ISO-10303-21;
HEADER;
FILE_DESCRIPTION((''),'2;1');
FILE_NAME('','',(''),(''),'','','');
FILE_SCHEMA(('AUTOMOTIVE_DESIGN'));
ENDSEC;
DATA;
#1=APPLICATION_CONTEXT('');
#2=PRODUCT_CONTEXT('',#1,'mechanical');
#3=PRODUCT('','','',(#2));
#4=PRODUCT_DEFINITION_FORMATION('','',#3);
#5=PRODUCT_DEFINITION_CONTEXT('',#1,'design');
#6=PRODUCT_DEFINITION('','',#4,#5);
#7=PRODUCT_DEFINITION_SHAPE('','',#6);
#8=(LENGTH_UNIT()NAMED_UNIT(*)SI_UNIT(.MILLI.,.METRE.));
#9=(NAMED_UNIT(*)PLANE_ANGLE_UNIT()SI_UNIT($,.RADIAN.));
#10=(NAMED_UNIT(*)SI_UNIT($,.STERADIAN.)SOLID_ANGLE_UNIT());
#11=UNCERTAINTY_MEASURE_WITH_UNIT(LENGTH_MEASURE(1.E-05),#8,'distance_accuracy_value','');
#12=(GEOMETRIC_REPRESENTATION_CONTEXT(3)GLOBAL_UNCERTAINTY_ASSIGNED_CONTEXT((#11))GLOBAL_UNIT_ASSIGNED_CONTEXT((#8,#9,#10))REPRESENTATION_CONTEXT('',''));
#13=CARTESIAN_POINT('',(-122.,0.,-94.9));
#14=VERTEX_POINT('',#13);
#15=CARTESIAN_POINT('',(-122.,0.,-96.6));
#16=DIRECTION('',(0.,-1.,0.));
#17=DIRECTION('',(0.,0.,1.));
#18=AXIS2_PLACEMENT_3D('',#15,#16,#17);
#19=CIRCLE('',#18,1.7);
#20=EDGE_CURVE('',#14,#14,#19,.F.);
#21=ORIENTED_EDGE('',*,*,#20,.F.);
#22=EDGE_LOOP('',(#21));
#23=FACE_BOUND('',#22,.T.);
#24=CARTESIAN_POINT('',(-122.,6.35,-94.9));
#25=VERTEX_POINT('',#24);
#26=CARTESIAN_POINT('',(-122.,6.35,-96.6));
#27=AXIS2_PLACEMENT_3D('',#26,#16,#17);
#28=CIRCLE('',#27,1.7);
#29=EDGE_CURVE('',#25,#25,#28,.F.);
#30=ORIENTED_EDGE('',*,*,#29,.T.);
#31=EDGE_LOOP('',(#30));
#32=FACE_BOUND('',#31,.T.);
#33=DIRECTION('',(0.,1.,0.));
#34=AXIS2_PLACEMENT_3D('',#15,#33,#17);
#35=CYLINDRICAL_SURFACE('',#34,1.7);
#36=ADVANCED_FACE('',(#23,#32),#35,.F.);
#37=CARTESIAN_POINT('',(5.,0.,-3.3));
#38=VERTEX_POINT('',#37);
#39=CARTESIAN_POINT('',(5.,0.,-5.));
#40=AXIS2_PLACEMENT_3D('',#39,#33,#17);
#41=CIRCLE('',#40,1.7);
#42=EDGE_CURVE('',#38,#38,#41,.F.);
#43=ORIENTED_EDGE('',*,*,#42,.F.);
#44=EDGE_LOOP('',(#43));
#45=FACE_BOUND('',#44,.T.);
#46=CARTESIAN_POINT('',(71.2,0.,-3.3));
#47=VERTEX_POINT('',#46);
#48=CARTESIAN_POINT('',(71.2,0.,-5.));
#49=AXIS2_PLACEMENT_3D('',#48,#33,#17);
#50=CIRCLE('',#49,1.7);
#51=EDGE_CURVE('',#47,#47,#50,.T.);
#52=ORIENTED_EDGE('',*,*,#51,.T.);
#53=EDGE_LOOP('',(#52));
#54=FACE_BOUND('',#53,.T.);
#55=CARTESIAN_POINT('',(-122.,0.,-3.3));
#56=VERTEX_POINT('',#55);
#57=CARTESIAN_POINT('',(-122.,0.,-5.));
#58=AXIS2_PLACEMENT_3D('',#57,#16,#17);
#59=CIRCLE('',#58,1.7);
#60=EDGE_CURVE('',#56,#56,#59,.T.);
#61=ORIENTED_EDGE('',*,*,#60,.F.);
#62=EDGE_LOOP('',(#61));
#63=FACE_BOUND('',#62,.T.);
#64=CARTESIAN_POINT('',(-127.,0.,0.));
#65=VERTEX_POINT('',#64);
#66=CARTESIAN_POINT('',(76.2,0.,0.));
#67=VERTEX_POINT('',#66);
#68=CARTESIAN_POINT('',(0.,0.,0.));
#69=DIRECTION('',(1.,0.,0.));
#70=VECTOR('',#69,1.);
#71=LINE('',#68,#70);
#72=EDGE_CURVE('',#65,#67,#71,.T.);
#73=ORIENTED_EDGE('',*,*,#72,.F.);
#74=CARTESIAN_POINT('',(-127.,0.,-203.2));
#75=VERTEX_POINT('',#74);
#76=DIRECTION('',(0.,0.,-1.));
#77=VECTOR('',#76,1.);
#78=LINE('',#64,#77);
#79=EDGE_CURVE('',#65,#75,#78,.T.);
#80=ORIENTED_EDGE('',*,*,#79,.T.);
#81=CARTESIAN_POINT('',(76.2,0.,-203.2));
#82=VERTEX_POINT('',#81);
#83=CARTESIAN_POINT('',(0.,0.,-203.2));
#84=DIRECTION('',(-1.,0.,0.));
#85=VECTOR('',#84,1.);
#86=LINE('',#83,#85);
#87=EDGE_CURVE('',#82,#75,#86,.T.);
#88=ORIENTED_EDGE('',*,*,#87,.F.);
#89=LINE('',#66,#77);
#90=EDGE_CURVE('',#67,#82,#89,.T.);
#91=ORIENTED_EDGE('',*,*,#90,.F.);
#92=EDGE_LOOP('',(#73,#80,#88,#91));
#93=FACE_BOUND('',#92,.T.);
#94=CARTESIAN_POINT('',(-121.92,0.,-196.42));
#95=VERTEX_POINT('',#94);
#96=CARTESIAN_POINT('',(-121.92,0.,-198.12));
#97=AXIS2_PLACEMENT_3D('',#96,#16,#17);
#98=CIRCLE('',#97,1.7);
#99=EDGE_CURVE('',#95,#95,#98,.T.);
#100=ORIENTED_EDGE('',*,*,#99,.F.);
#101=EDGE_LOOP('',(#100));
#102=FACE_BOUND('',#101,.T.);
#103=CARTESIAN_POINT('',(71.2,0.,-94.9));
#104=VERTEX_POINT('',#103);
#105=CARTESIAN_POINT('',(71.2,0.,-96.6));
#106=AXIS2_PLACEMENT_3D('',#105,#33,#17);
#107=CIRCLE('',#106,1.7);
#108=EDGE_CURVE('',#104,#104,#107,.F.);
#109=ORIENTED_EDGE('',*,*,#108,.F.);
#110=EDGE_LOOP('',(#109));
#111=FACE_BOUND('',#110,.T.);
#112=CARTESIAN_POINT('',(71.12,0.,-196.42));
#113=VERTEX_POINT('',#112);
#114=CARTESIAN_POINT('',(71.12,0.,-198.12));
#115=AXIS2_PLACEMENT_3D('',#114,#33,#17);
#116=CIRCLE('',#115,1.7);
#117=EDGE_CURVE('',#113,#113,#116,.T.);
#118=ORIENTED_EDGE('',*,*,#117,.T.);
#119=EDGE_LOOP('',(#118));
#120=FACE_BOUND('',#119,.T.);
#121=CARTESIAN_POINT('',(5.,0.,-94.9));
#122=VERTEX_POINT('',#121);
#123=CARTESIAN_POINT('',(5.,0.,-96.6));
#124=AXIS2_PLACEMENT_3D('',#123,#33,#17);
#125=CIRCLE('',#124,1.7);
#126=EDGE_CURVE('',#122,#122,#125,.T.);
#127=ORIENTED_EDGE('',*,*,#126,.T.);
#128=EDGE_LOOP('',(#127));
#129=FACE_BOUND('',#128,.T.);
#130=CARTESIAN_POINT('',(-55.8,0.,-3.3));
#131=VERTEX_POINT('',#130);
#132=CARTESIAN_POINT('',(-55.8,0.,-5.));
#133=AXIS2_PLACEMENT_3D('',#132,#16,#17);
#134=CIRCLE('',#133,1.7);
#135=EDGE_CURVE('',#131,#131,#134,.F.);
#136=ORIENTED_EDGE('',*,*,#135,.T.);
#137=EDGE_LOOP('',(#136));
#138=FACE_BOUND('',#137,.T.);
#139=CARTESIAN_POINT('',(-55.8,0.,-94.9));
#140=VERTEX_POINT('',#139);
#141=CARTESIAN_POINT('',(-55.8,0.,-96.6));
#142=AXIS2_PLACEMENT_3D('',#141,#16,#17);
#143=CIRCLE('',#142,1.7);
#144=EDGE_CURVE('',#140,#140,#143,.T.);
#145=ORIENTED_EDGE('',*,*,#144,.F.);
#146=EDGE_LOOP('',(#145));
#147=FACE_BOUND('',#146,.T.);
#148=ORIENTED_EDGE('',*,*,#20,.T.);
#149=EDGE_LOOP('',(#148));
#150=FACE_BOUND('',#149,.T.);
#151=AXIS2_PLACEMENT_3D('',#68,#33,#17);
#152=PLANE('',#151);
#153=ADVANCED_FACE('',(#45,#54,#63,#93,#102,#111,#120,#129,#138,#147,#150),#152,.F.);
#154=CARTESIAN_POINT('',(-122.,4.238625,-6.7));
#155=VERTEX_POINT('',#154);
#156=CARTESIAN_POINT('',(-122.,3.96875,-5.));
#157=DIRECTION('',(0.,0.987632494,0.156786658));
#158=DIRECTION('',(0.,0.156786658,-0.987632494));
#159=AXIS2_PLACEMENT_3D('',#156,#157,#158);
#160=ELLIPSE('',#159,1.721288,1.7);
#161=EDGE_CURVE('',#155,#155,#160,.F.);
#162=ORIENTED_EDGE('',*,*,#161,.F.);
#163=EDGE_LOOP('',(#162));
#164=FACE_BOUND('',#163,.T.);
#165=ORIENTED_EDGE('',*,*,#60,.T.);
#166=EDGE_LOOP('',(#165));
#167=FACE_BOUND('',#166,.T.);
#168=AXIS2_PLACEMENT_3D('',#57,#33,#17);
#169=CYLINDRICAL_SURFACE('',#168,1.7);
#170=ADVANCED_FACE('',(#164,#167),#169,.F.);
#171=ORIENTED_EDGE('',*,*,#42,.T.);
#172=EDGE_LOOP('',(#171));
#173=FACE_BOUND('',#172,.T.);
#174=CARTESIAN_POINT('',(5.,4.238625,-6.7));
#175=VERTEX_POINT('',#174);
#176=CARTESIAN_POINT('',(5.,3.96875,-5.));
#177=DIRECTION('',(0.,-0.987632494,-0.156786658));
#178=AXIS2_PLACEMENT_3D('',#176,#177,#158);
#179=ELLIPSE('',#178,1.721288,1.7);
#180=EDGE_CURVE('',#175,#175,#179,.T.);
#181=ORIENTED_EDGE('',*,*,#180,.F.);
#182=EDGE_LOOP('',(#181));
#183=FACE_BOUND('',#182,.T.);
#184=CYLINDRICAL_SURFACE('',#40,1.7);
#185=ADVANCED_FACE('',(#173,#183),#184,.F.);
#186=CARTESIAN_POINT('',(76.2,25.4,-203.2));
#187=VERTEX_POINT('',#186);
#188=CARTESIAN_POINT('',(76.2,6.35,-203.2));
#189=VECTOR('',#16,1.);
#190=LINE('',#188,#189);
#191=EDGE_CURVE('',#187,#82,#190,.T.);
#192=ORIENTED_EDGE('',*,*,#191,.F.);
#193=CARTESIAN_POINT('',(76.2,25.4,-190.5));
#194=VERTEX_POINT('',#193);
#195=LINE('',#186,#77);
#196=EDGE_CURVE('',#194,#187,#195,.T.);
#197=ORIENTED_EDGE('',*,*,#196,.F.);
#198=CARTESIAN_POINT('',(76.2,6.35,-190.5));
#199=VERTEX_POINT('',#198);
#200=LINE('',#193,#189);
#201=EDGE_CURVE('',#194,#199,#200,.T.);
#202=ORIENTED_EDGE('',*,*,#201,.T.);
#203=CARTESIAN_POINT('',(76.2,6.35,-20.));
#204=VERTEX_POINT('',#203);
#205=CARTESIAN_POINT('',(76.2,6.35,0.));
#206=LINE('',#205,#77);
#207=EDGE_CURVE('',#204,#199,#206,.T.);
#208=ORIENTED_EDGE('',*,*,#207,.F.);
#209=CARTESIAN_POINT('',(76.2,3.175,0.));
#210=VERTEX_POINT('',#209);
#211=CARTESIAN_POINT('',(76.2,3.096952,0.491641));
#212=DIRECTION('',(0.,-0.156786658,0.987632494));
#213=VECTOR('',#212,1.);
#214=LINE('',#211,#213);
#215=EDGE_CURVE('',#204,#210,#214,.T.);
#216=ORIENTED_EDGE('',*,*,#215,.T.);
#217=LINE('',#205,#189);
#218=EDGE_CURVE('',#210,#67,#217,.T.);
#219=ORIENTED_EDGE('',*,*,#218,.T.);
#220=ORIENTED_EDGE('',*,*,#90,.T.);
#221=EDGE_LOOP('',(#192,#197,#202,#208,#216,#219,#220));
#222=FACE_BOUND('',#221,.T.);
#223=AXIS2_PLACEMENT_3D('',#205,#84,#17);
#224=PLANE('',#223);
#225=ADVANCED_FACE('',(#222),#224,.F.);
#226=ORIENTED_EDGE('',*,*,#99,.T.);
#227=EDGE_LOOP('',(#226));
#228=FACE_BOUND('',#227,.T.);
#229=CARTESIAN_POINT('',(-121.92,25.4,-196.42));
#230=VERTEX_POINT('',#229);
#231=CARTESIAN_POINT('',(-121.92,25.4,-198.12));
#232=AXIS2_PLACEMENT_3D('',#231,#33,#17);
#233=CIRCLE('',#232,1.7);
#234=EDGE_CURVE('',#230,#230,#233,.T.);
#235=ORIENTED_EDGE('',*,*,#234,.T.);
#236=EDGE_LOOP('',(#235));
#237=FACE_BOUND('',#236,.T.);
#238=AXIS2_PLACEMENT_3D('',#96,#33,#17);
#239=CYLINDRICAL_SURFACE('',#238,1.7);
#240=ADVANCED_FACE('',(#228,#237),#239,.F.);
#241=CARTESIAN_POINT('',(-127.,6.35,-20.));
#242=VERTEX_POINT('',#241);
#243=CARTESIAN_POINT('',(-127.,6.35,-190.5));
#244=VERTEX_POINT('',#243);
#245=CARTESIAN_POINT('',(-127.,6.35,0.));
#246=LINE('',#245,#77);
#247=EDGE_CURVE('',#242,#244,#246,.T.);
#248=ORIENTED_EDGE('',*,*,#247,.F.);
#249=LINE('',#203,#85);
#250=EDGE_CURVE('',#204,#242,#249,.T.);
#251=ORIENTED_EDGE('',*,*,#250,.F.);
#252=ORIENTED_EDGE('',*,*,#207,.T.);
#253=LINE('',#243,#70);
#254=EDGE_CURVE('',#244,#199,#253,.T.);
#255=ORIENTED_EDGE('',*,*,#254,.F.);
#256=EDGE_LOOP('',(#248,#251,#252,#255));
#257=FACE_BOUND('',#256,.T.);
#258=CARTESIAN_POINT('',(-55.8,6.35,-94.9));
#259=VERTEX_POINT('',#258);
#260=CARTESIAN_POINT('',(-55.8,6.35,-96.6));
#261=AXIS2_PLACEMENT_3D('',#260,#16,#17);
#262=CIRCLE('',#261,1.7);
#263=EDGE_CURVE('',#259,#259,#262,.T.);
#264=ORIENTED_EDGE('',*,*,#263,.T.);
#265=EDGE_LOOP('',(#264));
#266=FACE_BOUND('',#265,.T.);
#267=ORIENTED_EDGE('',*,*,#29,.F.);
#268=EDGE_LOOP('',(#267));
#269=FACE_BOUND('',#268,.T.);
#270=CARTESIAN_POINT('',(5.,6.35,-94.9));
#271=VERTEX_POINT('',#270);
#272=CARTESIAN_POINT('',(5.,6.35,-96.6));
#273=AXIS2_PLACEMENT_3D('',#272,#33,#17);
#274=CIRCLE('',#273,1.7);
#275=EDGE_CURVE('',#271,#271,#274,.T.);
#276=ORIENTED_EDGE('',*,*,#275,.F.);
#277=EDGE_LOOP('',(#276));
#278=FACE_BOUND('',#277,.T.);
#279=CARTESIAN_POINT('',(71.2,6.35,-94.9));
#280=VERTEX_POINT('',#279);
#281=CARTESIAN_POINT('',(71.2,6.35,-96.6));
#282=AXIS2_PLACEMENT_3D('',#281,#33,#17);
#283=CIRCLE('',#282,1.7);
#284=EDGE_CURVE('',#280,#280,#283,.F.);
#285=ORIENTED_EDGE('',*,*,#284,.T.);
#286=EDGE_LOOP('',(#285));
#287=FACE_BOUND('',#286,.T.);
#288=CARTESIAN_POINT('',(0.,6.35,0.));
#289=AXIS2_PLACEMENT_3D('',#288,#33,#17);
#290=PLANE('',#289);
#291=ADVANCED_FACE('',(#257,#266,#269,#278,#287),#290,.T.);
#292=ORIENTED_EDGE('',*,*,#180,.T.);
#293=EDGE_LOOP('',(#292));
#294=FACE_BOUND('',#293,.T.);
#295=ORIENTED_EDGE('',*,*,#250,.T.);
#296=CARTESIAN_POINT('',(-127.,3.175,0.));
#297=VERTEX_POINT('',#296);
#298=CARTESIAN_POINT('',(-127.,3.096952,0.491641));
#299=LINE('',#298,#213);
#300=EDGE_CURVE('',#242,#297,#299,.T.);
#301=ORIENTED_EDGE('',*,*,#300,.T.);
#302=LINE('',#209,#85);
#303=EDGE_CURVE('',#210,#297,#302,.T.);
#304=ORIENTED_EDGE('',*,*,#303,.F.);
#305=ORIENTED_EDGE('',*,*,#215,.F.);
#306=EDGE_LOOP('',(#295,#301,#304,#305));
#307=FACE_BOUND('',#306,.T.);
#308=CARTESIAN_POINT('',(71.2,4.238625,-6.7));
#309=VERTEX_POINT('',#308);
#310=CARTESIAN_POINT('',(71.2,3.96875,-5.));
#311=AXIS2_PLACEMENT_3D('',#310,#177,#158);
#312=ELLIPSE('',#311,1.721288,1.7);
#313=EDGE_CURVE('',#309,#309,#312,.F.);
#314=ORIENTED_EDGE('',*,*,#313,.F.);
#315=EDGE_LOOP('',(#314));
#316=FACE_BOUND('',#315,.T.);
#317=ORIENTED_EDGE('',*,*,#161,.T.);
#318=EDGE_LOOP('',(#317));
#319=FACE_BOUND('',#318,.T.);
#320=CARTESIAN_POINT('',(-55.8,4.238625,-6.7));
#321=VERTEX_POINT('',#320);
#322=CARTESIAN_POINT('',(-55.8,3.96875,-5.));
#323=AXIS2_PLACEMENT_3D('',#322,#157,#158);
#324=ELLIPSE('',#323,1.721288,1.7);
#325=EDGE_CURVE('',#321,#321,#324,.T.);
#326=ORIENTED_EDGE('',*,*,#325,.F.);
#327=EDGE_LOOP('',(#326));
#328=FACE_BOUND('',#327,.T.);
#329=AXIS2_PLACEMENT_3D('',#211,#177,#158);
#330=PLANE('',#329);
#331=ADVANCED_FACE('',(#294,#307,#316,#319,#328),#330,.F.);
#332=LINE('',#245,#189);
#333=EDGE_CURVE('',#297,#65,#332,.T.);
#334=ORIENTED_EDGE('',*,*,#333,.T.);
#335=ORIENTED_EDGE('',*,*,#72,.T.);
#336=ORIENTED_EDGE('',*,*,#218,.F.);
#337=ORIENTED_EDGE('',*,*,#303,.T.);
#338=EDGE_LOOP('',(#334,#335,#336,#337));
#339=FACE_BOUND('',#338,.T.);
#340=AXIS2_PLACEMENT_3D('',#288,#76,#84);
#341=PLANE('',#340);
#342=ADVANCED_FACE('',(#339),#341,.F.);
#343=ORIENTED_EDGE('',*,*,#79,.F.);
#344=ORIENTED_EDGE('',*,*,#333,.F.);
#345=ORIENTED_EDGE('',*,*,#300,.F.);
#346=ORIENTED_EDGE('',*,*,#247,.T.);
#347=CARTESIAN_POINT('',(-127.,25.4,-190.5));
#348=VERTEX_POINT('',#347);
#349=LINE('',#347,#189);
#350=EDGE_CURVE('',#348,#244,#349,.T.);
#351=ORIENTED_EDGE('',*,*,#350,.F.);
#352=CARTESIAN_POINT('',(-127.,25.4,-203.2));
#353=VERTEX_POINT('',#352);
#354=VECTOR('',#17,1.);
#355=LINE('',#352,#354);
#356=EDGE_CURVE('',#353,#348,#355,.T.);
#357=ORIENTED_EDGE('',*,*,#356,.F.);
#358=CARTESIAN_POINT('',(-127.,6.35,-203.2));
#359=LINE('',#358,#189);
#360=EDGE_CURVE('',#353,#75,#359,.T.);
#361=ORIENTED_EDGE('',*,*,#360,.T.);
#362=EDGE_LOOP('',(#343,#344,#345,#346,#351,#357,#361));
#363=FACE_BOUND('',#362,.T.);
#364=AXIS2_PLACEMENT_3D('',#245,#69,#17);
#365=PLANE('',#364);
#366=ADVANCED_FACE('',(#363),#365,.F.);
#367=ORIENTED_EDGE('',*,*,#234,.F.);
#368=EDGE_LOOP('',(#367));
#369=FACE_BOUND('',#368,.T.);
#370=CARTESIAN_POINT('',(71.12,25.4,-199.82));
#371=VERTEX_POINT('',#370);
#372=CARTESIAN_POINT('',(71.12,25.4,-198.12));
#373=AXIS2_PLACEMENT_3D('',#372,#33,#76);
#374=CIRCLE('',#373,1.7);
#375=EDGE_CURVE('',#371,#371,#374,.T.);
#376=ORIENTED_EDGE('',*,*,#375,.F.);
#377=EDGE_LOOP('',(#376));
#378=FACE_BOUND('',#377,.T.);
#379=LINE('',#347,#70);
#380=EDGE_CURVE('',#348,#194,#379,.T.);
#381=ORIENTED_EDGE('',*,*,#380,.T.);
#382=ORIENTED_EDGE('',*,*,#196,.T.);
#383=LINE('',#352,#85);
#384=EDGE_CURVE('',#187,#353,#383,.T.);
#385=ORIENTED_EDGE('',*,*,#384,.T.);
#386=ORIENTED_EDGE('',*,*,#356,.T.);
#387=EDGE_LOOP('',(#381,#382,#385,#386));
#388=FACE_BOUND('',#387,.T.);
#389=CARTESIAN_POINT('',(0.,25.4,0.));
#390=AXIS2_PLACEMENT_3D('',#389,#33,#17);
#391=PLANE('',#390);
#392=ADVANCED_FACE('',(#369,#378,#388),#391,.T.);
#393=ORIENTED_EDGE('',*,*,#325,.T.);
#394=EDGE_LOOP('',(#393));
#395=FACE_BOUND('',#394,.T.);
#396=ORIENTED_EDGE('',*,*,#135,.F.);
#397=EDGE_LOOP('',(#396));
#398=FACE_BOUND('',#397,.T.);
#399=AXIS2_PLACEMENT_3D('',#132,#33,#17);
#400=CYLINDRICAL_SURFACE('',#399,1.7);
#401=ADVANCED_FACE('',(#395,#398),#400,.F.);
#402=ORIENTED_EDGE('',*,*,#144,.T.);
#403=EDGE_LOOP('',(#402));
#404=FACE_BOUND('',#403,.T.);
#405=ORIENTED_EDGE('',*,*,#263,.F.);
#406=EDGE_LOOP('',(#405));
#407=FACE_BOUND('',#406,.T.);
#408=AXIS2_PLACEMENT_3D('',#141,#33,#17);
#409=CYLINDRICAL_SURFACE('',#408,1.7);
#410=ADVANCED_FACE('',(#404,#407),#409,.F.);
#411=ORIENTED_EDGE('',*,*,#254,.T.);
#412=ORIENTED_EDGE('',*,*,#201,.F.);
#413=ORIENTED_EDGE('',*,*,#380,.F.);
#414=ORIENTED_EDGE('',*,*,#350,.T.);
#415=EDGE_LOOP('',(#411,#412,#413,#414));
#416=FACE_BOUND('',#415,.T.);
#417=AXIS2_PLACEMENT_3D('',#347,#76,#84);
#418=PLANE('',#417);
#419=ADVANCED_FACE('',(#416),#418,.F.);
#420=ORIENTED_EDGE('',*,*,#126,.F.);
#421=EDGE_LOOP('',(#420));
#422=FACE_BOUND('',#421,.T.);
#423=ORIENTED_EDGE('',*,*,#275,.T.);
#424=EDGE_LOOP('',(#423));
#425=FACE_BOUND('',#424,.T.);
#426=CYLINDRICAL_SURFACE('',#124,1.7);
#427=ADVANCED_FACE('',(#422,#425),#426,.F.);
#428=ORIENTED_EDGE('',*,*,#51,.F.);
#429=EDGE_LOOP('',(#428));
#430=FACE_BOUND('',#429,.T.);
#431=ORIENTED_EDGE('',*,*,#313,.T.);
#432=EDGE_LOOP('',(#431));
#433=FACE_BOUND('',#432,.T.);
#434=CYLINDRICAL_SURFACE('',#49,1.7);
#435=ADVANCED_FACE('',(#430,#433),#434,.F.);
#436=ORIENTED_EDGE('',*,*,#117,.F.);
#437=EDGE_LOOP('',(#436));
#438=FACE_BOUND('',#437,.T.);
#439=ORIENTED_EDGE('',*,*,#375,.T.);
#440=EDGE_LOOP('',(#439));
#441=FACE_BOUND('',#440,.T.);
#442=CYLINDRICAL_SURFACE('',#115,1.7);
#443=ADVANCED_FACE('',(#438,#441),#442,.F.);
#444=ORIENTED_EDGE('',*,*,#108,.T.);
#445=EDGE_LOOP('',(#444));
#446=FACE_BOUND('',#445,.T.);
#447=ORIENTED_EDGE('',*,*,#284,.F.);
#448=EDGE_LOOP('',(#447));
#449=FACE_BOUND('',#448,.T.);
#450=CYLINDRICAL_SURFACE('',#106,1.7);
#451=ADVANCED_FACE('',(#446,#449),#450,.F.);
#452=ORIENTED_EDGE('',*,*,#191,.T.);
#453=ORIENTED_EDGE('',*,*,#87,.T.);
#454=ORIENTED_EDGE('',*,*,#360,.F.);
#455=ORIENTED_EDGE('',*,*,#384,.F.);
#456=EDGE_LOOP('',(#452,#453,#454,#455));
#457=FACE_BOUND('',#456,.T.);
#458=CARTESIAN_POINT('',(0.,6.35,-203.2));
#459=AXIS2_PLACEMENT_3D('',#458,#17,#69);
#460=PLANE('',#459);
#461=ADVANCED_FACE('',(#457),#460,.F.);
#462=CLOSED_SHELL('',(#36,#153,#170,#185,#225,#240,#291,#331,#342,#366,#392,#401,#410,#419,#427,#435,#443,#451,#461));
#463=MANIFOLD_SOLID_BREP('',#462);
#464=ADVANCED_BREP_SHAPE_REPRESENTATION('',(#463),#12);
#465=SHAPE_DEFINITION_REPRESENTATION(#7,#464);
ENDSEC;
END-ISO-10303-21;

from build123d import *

# Parameters (mm, degrees)
SKETCH1_W           = 76.2
SKETCH1_H           = 101.6
BOSS_EXTRUDE1_DEPTH = 6.35
SKETCH2_R           = 1.7
CUT_EXTRUDE1_DEPTH  = 218.110576665
CUT_EXTRUDE2_DEPTH  = 218.110576665
BOSS_EXTRUDE2_DEPTH = 50.8
BOSS_EXTRUDE5_START = 19.05
SKETCH8_W           = 203.2
SKETCH8_H           = 12.7
SKETCH8_R           = 1.7
BOSS_EXTRUDE5_DEPTH = 19.05


with BuildPart() as part:
    # Sketch1 → Boss-Extrude1 (new body)
    with BuildSketch(Plane(origin=(0, 0, 0), x_dir=(1, 0, 0), z_dir=(0, 1, 0))):
        with Locations((38.1, 50.8)):
            Rectangle(SKETCH1_W, SKETCH1_H)
        with Locations((38.1, 152.4)):
            Rectangle(SKETCH1_W, SKETCH1_H)
    extrude(amount=BOSS_EXTRUDE1_DEPTH)

    # Sketch2 → Cut-Extrude1 (cut, through all)
    with BuildSketch(Plane(origin=(0, 6.35, 0), x_dir=(1, 0, 0), z_dir=(0, 1, 0))):
        with Locations(Location((5, 96.6, 0), (0, 0, 270))):
            Circle(SKETCH2_R)
        with Locations(Location((71.2, 96.6, 0), (0, 0, 270))):
            Circle(SKETCH2_R)
        with Locations(Location((5, 5, 0), (0, 0, 270))):
            Circle(SKETCH2_R)
        with Locations(Location((71.2, 5, 0), (0, 0, 270))):
            Circle(SKETCH2_R)
        with Locations(Location((71.12, 198.12, 0), (0, 0, 270))):
            Circle(SKETCH2_R)
    extrude(amount=-CUT_EXTRUDE1_DEPTH, mode=Mode.SUBTRACT)

    # Sketch3 → Cut-Extrude2 (cut, through all)
    with BuildSketch(Plane.ZY):
        Polygon((-20, 6.35), (0, 3.175), (0, 6.35), align=None)
    extrude(amount=-CUT_EXTRUDE2_DEPTH, mode=Mode.SUBTRACT)


with BuildPart() as body_2:
    # Mirror3: mirrored copy
    add(part.part.mirror(Plane.ZY.offset(25.4)))


with BuildPart() as part_1:
    add(part.part)

    add(body_2.part)  # Boss-Extrude2 merges body 2
    # Sketch5 → Boss-Extrude2 (add)
    with BuildSketch(Plane(origin=(-50.8, 0, 0), x_dir=(0, 0, -1), z_dir=(1, 0, 0))):
        Polygon((20, 6.35), (203.2, 6.35), (203.2, 0), (0, 0), (0, 3.175), align=None)
    extrude(amount=BOSS_EXTRUDE2_DEPTH)

    # Sketch8 → Boss-Extrude5 (add)
    with BuildSketch(Plane(origin=(0, 6.35, 0), x_dir=(1, 0, 0), z_dir=(0, 1, 0)).offset(BOSS_EXTRUDE5_START)):
        with Locations((-25.4, 196.85)):
            Rectangle(SKETCH8_W, SKETCH8_H)
        with Locations(Location((-121.92, 198.12, 0), (0, 0, 270))):
            Circle(SKETCH8_R, mode=Mode.SUBTRACT)
        with Locations(Location((71.12, 198.12, 0), (0, 0, 270))):
            Circle(SKETCH8_R, mode=Mode.SUBTRACT)
    extrude(amount=-BOSS_EXTRUDE5_DEPTH)


solid = part_1.part
